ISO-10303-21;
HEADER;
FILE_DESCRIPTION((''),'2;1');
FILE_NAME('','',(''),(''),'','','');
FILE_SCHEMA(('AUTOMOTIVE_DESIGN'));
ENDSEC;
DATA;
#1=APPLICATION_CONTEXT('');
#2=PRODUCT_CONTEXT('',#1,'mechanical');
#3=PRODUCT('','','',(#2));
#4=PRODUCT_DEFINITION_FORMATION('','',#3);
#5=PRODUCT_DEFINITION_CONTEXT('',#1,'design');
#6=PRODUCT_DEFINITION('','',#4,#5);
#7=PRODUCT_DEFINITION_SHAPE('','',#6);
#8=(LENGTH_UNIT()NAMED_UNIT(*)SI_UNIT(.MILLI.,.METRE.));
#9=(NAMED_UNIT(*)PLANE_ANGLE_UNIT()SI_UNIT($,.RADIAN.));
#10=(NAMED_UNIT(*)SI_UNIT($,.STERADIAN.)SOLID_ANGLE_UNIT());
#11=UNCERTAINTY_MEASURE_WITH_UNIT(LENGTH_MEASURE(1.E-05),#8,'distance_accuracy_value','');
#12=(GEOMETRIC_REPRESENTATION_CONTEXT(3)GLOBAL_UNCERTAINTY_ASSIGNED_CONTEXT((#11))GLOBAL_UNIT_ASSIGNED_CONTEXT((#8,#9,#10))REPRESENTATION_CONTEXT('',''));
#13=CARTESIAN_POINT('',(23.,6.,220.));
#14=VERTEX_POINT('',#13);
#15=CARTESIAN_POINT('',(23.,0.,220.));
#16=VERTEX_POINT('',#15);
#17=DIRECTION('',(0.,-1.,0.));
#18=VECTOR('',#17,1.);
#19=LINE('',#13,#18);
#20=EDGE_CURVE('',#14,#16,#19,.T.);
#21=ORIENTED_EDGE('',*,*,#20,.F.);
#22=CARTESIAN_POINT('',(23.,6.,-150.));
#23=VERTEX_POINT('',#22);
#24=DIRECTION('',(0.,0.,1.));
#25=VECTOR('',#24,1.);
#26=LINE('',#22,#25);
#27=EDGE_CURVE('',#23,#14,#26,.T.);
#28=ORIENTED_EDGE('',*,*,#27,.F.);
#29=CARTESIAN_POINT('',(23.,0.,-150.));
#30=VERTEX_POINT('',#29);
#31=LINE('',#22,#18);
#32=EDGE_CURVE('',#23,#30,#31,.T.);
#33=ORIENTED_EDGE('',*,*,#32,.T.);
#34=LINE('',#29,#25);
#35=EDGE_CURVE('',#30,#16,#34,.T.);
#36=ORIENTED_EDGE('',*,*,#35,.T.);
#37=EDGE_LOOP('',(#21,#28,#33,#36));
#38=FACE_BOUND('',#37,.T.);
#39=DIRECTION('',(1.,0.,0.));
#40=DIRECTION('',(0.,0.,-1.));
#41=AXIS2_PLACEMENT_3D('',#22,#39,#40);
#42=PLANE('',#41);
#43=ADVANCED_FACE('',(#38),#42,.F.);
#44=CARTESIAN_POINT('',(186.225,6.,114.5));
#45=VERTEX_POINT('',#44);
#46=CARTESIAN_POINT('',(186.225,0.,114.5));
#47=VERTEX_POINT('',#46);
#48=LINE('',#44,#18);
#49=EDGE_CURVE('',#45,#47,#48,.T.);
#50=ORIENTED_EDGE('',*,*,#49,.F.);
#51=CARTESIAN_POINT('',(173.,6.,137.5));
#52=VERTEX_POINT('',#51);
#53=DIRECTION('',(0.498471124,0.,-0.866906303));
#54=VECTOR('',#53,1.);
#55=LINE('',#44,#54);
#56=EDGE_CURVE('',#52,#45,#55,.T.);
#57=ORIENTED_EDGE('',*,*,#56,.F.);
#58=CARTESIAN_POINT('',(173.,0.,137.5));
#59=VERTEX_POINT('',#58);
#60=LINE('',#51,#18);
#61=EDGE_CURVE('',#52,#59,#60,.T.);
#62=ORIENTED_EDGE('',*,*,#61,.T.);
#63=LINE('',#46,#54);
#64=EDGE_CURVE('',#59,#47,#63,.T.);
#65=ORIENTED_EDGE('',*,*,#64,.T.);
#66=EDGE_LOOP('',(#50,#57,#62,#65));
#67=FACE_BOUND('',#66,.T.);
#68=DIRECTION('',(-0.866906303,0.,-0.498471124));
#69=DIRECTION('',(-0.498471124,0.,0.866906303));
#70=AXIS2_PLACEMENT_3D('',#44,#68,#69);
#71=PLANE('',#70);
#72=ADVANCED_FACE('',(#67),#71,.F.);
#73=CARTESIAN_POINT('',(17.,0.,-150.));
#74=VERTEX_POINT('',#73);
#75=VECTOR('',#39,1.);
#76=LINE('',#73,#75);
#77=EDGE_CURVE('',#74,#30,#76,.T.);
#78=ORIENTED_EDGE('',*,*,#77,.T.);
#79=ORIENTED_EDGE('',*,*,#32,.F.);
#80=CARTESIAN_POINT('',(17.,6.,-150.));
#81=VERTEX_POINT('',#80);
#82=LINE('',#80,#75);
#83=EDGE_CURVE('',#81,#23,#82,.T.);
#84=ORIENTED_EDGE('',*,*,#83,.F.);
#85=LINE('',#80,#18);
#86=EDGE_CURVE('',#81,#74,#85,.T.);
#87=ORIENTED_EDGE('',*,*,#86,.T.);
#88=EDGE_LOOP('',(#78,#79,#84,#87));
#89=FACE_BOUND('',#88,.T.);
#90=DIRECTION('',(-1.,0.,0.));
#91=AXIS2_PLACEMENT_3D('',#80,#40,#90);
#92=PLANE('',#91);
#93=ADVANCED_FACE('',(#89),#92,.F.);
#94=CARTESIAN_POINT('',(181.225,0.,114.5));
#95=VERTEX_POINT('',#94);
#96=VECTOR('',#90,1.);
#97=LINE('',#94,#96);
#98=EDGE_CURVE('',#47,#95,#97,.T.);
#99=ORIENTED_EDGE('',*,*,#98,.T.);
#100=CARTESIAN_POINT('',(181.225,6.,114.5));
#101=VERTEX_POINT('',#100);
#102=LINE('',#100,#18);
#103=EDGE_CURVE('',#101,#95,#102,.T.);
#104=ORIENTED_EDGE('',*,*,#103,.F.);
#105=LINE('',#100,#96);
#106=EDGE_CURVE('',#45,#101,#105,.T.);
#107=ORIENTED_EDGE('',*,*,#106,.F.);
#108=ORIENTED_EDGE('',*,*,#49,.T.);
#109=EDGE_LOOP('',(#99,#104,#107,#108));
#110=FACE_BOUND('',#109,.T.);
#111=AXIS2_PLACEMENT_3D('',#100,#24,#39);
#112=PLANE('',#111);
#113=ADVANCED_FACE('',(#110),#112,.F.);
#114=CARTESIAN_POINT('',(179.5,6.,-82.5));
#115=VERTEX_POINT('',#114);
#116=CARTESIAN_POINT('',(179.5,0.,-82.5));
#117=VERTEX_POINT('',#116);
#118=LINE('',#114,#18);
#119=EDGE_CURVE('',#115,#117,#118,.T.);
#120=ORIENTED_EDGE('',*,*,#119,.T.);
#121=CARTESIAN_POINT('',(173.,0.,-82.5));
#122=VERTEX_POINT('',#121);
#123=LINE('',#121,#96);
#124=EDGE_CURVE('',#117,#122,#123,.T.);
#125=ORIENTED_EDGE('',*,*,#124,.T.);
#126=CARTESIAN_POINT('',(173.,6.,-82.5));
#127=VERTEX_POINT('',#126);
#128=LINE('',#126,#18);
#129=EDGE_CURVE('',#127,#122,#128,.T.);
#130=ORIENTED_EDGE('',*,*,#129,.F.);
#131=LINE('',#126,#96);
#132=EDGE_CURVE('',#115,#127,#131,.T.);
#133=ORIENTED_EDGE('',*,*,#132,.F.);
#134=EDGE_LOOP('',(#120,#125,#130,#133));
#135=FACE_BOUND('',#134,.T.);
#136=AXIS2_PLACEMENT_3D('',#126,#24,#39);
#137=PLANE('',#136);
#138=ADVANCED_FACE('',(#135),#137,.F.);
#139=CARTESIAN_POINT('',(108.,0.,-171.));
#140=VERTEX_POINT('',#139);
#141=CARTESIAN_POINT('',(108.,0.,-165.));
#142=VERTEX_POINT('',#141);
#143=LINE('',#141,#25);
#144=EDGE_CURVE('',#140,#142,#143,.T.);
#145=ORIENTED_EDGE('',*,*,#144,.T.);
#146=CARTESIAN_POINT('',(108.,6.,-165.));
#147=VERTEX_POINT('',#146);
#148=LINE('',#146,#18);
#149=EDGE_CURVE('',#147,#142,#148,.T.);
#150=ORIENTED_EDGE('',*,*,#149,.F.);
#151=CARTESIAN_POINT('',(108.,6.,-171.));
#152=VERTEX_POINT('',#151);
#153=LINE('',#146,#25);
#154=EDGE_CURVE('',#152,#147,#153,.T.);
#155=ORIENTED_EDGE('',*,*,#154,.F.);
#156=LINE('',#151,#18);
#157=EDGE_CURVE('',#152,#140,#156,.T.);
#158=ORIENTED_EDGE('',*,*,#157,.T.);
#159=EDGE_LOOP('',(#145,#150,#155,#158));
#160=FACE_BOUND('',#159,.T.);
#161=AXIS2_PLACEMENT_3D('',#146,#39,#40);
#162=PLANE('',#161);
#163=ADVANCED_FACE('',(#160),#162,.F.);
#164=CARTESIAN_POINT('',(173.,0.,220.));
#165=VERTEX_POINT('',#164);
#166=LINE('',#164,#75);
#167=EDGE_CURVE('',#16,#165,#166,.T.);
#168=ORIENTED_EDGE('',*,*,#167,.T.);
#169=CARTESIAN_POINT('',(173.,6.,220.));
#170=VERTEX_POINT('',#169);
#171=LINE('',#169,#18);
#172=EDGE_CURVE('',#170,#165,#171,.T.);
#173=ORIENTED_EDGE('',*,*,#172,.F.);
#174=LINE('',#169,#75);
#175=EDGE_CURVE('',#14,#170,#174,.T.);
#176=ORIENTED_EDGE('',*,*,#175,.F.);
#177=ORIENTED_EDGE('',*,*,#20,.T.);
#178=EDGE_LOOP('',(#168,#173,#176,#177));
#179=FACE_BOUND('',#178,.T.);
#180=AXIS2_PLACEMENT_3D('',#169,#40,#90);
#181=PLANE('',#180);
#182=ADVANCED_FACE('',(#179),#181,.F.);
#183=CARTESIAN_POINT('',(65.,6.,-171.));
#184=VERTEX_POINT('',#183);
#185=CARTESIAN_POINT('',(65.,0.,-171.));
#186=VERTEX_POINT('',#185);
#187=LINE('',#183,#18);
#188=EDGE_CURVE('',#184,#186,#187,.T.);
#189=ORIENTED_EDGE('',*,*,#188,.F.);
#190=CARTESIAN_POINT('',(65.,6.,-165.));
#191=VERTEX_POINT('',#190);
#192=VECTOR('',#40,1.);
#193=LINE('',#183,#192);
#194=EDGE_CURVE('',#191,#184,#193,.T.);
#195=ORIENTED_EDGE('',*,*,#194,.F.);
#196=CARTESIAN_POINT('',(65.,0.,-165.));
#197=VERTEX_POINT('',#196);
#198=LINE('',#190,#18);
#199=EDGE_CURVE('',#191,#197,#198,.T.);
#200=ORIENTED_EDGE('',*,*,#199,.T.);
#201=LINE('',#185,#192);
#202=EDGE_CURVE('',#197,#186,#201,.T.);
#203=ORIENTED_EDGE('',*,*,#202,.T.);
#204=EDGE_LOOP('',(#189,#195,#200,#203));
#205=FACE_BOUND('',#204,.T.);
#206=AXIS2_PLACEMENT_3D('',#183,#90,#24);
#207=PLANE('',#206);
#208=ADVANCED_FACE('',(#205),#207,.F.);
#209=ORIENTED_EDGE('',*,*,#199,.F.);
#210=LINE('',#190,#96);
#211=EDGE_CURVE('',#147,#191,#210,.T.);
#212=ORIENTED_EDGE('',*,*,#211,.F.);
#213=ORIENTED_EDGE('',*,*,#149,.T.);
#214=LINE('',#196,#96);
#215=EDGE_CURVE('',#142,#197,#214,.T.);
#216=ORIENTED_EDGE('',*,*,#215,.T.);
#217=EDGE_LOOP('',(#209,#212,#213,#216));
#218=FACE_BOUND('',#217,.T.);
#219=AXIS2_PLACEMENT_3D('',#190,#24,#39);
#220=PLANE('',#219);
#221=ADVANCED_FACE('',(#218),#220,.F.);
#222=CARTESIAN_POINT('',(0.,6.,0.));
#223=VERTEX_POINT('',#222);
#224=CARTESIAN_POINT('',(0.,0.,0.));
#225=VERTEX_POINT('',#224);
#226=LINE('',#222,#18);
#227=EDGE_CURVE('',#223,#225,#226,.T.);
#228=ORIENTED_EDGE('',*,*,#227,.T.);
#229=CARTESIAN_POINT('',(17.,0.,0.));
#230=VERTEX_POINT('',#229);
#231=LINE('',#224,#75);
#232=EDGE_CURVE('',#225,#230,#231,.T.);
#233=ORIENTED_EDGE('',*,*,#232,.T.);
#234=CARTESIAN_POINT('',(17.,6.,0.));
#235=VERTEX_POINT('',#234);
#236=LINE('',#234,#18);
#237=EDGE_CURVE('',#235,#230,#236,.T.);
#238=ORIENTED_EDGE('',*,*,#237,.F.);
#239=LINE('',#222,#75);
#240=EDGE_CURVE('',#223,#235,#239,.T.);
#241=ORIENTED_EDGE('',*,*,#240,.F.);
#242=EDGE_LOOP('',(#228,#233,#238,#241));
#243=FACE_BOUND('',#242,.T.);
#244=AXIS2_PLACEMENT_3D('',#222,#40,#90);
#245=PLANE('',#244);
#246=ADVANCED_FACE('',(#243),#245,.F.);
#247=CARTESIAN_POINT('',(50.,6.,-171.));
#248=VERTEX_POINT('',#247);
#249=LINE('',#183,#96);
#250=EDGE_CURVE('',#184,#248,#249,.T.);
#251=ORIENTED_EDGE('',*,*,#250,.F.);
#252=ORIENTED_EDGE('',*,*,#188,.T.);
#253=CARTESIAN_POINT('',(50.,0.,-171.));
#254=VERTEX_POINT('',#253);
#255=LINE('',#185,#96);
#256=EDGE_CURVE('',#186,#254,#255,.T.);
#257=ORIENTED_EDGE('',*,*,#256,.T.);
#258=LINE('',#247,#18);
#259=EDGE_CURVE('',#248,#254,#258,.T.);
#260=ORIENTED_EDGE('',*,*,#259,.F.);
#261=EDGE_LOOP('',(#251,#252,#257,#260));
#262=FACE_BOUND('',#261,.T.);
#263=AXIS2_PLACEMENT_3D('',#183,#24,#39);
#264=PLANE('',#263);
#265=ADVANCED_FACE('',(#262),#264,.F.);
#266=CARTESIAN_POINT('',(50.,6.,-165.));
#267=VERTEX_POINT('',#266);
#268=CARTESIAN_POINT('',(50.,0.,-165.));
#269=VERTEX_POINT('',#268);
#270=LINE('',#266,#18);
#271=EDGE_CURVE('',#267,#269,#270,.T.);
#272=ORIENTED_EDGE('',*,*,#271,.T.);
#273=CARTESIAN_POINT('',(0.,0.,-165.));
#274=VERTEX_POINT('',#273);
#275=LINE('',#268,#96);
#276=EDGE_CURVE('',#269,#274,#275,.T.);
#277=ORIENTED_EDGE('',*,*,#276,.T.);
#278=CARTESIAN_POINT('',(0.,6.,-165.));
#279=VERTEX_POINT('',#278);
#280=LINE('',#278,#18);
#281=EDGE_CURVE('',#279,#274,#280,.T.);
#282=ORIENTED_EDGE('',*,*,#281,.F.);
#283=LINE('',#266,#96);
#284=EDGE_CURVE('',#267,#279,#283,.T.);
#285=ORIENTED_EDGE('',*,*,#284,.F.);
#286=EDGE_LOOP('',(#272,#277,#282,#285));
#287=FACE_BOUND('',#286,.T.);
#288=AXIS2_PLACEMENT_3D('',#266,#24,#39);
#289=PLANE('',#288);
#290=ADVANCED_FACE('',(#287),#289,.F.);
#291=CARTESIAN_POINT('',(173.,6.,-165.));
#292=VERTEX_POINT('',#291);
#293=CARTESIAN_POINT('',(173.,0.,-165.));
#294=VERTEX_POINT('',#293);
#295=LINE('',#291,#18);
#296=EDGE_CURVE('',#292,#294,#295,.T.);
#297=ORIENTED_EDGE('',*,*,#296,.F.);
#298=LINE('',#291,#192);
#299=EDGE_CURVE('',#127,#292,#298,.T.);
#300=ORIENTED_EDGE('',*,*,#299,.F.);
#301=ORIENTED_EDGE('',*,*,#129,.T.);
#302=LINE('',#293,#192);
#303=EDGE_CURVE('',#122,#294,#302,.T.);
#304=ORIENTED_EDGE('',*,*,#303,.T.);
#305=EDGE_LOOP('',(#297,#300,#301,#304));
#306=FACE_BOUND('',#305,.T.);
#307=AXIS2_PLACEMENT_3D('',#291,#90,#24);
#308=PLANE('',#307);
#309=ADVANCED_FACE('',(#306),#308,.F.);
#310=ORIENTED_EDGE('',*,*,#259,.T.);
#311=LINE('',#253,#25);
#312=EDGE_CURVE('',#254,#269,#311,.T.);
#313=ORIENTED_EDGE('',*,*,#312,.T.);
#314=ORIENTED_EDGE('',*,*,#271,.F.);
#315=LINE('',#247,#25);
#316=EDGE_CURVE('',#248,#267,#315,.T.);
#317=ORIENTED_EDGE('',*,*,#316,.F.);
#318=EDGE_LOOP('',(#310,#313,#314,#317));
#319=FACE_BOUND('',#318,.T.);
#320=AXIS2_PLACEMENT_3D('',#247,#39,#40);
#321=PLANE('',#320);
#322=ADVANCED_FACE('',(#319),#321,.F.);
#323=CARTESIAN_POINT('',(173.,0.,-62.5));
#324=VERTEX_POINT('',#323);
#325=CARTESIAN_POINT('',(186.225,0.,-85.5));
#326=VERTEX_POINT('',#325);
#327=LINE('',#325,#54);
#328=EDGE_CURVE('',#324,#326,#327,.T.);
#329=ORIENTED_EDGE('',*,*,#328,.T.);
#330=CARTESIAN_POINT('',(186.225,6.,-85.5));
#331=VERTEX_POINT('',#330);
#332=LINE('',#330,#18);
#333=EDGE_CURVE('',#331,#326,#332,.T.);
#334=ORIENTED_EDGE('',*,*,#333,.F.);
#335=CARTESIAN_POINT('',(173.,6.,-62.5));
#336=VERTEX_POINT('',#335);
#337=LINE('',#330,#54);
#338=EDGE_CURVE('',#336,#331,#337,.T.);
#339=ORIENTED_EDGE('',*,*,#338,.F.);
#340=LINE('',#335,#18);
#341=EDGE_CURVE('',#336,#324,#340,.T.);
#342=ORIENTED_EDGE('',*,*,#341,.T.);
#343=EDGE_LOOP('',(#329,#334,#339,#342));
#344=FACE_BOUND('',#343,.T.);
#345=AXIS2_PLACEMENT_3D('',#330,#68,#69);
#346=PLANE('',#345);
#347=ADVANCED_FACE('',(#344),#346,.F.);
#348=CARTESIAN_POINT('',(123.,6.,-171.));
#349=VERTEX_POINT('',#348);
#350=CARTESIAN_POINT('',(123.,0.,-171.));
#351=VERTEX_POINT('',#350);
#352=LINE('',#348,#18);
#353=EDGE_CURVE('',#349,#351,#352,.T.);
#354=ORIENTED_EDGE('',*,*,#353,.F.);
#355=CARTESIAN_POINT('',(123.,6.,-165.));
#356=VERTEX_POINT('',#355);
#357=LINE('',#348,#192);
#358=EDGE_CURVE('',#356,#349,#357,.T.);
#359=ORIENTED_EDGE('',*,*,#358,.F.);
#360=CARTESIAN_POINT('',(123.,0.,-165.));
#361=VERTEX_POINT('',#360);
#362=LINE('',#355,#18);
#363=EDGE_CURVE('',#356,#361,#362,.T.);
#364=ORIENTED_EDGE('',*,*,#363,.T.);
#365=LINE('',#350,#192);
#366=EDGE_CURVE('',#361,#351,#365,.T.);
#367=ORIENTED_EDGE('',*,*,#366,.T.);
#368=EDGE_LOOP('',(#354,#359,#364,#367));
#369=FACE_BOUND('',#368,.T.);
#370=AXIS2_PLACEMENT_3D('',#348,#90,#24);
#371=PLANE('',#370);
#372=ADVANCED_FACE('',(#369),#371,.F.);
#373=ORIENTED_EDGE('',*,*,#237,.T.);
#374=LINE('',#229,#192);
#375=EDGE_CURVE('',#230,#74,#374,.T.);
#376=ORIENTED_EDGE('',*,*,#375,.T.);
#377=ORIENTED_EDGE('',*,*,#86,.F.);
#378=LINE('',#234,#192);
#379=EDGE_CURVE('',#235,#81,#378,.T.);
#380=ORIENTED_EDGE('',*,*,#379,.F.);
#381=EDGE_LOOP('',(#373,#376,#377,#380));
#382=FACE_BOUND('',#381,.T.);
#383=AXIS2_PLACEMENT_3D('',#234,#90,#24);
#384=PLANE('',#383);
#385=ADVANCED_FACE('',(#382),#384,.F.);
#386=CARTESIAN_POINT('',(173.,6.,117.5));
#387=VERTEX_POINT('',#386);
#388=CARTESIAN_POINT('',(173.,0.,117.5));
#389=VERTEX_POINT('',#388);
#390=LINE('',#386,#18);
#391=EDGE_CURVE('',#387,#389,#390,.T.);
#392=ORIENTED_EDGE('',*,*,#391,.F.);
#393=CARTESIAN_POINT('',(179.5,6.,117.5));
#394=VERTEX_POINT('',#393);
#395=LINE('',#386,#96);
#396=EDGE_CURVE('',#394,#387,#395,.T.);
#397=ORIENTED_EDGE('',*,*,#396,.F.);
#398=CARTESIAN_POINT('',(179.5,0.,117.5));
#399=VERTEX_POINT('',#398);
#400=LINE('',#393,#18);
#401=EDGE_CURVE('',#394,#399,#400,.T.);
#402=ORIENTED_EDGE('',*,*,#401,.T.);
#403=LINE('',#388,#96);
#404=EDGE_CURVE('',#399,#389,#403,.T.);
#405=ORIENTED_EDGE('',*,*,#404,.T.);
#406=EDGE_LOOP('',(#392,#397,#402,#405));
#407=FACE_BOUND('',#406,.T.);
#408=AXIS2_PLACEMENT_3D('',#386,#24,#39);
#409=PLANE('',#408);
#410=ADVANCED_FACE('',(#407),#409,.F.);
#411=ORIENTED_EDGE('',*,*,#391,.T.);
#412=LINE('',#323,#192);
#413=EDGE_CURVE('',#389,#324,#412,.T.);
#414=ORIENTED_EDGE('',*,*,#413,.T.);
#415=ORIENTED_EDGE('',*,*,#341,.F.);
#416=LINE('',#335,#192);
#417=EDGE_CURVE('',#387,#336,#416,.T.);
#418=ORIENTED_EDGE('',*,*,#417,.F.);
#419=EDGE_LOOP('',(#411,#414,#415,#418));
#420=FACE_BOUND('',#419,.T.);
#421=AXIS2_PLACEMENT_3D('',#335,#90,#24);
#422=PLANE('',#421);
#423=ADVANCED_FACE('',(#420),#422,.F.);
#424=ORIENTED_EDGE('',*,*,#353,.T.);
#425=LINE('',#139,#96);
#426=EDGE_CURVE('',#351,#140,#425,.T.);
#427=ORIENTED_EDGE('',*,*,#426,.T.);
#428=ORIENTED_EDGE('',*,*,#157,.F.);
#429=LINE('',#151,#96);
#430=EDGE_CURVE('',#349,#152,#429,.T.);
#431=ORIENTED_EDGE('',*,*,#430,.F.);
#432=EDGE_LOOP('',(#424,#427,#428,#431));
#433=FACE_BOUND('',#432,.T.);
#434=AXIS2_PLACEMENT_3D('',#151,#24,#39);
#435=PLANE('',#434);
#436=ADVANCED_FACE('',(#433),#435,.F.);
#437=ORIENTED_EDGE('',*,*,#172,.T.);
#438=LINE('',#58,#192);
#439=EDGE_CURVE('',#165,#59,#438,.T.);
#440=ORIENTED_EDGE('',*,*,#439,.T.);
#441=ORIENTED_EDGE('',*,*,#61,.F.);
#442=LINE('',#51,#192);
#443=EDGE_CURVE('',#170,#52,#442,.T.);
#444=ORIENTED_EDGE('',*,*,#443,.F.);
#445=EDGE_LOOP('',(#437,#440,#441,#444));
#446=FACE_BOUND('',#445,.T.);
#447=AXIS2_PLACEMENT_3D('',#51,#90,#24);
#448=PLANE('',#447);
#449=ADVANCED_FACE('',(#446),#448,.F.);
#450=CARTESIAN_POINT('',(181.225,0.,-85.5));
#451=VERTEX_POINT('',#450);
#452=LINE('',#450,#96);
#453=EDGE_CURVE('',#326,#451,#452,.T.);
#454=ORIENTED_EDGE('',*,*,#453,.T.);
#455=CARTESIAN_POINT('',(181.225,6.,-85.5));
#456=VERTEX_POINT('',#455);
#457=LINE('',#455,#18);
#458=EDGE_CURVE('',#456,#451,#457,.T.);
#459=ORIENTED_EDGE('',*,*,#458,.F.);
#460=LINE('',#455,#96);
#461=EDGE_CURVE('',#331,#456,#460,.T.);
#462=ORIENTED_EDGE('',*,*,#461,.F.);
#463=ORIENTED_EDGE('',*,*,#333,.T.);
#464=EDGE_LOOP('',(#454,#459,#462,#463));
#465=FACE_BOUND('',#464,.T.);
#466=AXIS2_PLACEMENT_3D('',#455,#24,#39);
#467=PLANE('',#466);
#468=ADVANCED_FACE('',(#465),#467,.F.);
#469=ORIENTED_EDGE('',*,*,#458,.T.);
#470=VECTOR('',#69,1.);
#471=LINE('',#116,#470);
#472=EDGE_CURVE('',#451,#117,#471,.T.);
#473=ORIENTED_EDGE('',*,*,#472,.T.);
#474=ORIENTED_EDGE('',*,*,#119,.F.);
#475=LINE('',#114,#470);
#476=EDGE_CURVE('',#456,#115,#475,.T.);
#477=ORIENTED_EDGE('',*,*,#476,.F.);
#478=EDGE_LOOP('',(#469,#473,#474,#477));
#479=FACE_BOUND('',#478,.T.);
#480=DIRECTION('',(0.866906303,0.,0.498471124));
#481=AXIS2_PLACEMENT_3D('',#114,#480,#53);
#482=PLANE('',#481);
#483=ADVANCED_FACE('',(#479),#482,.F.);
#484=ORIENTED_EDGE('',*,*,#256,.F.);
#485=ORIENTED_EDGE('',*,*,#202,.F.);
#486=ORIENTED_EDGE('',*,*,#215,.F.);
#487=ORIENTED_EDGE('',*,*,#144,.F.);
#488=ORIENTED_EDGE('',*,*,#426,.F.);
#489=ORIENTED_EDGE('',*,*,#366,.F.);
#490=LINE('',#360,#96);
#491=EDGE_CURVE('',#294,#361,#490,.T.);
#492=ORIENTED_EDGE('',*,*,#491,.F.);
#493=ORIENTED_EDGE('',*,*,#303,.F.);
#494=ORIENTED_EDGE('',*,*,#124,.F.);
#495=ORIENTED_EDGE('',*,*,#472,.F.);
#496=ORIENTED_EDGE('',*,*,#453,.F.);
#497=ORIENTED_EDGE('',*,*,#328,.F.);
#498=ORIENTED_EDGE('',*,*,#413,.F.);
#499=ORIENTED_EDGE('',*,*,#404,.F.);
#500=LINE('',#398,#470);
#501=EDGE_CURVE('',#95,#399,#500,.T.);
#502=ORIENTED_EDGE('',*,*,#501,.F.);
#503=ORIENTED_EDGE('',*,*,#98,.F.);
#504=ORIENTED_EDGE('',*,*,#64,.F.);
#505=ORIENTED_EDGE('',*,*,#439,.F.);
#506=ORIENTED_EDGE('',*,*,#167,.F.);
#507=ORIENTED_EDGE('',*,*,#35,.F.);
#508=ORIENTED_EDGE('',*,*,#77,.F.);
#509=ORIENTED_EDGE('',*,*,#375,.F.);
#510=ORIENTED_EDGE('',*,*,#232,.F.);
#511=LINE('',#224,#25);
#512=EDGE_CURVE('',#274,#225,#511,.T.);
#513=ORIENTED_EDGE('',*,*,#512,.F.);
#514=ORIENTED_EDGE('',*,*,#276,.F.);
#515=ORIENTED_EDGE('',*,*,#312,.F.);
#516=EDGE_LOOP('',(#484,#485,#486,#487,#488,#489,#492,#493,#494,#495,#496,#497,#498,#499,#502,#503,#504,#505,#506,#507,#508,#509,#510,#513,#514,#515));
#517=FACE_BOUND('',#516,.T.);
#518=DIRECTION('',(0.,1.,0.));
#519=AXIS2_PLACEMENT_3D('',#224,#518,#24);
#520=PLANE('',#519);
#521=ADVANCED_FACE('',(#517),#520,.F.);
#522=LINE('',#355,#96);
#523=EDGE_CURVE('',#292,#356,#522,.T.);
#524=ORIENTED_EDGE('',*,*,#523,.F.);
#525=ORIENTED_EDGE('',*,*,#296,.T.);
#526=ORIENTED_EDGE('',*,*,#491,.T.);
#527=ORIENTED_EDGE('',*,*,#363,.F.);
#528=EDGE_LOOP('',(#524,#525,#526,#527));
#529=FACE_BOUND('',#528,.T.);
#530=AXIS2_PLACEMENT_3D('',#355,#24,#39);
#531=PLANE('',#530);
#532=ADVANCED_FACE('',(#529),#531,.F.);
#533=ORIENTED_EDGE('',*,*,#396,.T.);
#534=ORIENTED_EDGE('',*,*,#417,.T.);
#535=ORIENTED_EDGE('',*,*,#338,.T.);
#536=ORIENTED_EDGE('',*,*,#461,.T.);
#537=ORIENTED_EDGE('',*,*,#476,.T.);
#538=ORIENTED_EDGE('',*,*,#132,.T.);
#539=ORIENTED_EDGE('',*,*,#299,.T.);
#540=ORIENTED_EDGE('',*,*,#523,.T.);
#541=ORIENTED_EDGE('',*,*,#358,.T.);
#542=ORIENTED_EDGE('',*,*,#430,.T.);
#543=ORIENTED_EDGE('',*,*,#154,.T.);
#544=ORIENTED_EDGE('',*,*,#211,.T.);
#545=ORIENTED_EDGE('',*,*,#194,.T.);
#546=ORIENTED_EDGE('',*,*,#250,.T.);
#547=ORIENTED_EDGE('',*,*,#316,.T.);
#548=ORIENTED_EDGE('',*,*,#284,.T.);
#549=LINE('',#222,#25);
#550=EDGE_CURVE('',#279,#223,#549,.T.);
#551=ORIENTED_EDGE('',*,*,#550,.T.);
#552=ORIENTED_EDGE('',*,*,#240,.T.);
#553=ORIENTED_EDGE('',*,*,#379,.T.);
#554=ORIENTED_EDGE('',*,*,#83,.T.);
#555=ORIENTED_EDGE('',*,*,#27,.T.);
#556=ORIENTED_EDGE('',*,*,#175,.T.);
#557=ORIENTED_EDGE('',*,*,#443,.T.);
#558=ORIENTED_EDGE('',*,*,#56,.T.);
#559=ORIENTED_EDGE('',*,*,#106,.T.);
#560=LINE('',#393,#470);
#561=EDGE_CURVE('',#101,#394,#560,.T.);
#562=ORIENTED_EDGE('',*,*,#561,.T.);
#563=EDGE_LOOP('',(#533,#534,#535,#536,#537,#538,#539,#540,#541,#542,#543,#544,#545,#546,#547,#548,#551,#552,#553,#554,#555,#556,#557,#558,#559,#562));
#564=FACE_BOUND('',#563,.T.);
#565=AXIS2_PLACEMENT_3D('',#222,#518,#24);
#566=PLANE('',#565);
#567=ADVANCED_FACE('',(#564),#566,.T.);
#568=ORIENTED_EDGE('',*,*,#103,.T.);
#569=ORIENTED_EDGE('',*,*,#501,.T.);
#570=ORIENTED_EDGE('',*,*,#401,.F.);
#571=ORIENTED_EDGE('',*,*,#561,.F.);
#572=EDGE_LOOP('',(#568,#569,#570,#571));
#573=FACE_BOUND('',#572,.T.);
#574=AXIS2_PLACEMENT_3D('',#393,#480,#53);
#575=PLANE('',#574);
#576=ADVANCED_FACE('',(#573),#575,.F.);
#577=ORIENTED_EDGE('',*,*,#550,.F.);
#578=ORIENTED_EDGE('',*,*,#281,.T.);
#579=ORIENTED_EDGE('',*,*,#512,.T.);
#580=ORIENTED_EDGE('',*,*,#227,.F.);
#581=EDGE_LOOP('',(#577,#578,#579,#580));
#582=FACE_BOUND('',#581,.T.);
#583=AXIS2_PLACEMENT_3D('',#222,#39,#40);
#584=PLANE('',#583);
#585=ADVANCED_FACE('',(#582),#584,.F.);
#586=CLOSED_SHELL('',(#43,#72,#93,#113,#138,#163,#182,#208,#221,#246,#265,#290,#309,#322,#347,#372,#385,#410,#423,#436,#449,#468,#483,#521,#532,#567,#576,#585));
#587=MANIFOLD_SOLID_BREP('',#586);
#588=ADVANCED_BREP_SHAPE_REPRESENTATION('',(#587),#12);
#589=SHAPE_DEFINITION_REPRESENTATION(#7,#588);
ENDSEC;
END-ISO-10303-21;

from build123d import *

# Parameters (mm, degrees)
BOSS_EXTRUDE1_DEPTH = 6


with BuildPart() as part:
    # Sketch1 → Boss-Extrude1 (new body)
    with BuildSketch(Plane(origin=(0, 0, 0), x_dir=(1, 0, 0), z_dir=(0, 1, 0))):
        Polygon((0, 0), (0, 165), (50, 165), (50, 171), (65, 171), (65, 165), (108, 165), (108, 171), (123, 171), (123, 165), (173, 165), (173, 82.5), (179.5, 82.5), (181.225, 85.5), (186.225, 85.5), (173, 62.5), (173, -117.5), (179.5, -117.5), (181.225, -114.5), (186.225, -114.5), (173, -137.5), (173, -220), (23, -220), (23, 150), (17, 150), (17, 0), align=None)
    extrude(amount=BOSS_EXTRUDE1_DEPTH)


solid = part.part
